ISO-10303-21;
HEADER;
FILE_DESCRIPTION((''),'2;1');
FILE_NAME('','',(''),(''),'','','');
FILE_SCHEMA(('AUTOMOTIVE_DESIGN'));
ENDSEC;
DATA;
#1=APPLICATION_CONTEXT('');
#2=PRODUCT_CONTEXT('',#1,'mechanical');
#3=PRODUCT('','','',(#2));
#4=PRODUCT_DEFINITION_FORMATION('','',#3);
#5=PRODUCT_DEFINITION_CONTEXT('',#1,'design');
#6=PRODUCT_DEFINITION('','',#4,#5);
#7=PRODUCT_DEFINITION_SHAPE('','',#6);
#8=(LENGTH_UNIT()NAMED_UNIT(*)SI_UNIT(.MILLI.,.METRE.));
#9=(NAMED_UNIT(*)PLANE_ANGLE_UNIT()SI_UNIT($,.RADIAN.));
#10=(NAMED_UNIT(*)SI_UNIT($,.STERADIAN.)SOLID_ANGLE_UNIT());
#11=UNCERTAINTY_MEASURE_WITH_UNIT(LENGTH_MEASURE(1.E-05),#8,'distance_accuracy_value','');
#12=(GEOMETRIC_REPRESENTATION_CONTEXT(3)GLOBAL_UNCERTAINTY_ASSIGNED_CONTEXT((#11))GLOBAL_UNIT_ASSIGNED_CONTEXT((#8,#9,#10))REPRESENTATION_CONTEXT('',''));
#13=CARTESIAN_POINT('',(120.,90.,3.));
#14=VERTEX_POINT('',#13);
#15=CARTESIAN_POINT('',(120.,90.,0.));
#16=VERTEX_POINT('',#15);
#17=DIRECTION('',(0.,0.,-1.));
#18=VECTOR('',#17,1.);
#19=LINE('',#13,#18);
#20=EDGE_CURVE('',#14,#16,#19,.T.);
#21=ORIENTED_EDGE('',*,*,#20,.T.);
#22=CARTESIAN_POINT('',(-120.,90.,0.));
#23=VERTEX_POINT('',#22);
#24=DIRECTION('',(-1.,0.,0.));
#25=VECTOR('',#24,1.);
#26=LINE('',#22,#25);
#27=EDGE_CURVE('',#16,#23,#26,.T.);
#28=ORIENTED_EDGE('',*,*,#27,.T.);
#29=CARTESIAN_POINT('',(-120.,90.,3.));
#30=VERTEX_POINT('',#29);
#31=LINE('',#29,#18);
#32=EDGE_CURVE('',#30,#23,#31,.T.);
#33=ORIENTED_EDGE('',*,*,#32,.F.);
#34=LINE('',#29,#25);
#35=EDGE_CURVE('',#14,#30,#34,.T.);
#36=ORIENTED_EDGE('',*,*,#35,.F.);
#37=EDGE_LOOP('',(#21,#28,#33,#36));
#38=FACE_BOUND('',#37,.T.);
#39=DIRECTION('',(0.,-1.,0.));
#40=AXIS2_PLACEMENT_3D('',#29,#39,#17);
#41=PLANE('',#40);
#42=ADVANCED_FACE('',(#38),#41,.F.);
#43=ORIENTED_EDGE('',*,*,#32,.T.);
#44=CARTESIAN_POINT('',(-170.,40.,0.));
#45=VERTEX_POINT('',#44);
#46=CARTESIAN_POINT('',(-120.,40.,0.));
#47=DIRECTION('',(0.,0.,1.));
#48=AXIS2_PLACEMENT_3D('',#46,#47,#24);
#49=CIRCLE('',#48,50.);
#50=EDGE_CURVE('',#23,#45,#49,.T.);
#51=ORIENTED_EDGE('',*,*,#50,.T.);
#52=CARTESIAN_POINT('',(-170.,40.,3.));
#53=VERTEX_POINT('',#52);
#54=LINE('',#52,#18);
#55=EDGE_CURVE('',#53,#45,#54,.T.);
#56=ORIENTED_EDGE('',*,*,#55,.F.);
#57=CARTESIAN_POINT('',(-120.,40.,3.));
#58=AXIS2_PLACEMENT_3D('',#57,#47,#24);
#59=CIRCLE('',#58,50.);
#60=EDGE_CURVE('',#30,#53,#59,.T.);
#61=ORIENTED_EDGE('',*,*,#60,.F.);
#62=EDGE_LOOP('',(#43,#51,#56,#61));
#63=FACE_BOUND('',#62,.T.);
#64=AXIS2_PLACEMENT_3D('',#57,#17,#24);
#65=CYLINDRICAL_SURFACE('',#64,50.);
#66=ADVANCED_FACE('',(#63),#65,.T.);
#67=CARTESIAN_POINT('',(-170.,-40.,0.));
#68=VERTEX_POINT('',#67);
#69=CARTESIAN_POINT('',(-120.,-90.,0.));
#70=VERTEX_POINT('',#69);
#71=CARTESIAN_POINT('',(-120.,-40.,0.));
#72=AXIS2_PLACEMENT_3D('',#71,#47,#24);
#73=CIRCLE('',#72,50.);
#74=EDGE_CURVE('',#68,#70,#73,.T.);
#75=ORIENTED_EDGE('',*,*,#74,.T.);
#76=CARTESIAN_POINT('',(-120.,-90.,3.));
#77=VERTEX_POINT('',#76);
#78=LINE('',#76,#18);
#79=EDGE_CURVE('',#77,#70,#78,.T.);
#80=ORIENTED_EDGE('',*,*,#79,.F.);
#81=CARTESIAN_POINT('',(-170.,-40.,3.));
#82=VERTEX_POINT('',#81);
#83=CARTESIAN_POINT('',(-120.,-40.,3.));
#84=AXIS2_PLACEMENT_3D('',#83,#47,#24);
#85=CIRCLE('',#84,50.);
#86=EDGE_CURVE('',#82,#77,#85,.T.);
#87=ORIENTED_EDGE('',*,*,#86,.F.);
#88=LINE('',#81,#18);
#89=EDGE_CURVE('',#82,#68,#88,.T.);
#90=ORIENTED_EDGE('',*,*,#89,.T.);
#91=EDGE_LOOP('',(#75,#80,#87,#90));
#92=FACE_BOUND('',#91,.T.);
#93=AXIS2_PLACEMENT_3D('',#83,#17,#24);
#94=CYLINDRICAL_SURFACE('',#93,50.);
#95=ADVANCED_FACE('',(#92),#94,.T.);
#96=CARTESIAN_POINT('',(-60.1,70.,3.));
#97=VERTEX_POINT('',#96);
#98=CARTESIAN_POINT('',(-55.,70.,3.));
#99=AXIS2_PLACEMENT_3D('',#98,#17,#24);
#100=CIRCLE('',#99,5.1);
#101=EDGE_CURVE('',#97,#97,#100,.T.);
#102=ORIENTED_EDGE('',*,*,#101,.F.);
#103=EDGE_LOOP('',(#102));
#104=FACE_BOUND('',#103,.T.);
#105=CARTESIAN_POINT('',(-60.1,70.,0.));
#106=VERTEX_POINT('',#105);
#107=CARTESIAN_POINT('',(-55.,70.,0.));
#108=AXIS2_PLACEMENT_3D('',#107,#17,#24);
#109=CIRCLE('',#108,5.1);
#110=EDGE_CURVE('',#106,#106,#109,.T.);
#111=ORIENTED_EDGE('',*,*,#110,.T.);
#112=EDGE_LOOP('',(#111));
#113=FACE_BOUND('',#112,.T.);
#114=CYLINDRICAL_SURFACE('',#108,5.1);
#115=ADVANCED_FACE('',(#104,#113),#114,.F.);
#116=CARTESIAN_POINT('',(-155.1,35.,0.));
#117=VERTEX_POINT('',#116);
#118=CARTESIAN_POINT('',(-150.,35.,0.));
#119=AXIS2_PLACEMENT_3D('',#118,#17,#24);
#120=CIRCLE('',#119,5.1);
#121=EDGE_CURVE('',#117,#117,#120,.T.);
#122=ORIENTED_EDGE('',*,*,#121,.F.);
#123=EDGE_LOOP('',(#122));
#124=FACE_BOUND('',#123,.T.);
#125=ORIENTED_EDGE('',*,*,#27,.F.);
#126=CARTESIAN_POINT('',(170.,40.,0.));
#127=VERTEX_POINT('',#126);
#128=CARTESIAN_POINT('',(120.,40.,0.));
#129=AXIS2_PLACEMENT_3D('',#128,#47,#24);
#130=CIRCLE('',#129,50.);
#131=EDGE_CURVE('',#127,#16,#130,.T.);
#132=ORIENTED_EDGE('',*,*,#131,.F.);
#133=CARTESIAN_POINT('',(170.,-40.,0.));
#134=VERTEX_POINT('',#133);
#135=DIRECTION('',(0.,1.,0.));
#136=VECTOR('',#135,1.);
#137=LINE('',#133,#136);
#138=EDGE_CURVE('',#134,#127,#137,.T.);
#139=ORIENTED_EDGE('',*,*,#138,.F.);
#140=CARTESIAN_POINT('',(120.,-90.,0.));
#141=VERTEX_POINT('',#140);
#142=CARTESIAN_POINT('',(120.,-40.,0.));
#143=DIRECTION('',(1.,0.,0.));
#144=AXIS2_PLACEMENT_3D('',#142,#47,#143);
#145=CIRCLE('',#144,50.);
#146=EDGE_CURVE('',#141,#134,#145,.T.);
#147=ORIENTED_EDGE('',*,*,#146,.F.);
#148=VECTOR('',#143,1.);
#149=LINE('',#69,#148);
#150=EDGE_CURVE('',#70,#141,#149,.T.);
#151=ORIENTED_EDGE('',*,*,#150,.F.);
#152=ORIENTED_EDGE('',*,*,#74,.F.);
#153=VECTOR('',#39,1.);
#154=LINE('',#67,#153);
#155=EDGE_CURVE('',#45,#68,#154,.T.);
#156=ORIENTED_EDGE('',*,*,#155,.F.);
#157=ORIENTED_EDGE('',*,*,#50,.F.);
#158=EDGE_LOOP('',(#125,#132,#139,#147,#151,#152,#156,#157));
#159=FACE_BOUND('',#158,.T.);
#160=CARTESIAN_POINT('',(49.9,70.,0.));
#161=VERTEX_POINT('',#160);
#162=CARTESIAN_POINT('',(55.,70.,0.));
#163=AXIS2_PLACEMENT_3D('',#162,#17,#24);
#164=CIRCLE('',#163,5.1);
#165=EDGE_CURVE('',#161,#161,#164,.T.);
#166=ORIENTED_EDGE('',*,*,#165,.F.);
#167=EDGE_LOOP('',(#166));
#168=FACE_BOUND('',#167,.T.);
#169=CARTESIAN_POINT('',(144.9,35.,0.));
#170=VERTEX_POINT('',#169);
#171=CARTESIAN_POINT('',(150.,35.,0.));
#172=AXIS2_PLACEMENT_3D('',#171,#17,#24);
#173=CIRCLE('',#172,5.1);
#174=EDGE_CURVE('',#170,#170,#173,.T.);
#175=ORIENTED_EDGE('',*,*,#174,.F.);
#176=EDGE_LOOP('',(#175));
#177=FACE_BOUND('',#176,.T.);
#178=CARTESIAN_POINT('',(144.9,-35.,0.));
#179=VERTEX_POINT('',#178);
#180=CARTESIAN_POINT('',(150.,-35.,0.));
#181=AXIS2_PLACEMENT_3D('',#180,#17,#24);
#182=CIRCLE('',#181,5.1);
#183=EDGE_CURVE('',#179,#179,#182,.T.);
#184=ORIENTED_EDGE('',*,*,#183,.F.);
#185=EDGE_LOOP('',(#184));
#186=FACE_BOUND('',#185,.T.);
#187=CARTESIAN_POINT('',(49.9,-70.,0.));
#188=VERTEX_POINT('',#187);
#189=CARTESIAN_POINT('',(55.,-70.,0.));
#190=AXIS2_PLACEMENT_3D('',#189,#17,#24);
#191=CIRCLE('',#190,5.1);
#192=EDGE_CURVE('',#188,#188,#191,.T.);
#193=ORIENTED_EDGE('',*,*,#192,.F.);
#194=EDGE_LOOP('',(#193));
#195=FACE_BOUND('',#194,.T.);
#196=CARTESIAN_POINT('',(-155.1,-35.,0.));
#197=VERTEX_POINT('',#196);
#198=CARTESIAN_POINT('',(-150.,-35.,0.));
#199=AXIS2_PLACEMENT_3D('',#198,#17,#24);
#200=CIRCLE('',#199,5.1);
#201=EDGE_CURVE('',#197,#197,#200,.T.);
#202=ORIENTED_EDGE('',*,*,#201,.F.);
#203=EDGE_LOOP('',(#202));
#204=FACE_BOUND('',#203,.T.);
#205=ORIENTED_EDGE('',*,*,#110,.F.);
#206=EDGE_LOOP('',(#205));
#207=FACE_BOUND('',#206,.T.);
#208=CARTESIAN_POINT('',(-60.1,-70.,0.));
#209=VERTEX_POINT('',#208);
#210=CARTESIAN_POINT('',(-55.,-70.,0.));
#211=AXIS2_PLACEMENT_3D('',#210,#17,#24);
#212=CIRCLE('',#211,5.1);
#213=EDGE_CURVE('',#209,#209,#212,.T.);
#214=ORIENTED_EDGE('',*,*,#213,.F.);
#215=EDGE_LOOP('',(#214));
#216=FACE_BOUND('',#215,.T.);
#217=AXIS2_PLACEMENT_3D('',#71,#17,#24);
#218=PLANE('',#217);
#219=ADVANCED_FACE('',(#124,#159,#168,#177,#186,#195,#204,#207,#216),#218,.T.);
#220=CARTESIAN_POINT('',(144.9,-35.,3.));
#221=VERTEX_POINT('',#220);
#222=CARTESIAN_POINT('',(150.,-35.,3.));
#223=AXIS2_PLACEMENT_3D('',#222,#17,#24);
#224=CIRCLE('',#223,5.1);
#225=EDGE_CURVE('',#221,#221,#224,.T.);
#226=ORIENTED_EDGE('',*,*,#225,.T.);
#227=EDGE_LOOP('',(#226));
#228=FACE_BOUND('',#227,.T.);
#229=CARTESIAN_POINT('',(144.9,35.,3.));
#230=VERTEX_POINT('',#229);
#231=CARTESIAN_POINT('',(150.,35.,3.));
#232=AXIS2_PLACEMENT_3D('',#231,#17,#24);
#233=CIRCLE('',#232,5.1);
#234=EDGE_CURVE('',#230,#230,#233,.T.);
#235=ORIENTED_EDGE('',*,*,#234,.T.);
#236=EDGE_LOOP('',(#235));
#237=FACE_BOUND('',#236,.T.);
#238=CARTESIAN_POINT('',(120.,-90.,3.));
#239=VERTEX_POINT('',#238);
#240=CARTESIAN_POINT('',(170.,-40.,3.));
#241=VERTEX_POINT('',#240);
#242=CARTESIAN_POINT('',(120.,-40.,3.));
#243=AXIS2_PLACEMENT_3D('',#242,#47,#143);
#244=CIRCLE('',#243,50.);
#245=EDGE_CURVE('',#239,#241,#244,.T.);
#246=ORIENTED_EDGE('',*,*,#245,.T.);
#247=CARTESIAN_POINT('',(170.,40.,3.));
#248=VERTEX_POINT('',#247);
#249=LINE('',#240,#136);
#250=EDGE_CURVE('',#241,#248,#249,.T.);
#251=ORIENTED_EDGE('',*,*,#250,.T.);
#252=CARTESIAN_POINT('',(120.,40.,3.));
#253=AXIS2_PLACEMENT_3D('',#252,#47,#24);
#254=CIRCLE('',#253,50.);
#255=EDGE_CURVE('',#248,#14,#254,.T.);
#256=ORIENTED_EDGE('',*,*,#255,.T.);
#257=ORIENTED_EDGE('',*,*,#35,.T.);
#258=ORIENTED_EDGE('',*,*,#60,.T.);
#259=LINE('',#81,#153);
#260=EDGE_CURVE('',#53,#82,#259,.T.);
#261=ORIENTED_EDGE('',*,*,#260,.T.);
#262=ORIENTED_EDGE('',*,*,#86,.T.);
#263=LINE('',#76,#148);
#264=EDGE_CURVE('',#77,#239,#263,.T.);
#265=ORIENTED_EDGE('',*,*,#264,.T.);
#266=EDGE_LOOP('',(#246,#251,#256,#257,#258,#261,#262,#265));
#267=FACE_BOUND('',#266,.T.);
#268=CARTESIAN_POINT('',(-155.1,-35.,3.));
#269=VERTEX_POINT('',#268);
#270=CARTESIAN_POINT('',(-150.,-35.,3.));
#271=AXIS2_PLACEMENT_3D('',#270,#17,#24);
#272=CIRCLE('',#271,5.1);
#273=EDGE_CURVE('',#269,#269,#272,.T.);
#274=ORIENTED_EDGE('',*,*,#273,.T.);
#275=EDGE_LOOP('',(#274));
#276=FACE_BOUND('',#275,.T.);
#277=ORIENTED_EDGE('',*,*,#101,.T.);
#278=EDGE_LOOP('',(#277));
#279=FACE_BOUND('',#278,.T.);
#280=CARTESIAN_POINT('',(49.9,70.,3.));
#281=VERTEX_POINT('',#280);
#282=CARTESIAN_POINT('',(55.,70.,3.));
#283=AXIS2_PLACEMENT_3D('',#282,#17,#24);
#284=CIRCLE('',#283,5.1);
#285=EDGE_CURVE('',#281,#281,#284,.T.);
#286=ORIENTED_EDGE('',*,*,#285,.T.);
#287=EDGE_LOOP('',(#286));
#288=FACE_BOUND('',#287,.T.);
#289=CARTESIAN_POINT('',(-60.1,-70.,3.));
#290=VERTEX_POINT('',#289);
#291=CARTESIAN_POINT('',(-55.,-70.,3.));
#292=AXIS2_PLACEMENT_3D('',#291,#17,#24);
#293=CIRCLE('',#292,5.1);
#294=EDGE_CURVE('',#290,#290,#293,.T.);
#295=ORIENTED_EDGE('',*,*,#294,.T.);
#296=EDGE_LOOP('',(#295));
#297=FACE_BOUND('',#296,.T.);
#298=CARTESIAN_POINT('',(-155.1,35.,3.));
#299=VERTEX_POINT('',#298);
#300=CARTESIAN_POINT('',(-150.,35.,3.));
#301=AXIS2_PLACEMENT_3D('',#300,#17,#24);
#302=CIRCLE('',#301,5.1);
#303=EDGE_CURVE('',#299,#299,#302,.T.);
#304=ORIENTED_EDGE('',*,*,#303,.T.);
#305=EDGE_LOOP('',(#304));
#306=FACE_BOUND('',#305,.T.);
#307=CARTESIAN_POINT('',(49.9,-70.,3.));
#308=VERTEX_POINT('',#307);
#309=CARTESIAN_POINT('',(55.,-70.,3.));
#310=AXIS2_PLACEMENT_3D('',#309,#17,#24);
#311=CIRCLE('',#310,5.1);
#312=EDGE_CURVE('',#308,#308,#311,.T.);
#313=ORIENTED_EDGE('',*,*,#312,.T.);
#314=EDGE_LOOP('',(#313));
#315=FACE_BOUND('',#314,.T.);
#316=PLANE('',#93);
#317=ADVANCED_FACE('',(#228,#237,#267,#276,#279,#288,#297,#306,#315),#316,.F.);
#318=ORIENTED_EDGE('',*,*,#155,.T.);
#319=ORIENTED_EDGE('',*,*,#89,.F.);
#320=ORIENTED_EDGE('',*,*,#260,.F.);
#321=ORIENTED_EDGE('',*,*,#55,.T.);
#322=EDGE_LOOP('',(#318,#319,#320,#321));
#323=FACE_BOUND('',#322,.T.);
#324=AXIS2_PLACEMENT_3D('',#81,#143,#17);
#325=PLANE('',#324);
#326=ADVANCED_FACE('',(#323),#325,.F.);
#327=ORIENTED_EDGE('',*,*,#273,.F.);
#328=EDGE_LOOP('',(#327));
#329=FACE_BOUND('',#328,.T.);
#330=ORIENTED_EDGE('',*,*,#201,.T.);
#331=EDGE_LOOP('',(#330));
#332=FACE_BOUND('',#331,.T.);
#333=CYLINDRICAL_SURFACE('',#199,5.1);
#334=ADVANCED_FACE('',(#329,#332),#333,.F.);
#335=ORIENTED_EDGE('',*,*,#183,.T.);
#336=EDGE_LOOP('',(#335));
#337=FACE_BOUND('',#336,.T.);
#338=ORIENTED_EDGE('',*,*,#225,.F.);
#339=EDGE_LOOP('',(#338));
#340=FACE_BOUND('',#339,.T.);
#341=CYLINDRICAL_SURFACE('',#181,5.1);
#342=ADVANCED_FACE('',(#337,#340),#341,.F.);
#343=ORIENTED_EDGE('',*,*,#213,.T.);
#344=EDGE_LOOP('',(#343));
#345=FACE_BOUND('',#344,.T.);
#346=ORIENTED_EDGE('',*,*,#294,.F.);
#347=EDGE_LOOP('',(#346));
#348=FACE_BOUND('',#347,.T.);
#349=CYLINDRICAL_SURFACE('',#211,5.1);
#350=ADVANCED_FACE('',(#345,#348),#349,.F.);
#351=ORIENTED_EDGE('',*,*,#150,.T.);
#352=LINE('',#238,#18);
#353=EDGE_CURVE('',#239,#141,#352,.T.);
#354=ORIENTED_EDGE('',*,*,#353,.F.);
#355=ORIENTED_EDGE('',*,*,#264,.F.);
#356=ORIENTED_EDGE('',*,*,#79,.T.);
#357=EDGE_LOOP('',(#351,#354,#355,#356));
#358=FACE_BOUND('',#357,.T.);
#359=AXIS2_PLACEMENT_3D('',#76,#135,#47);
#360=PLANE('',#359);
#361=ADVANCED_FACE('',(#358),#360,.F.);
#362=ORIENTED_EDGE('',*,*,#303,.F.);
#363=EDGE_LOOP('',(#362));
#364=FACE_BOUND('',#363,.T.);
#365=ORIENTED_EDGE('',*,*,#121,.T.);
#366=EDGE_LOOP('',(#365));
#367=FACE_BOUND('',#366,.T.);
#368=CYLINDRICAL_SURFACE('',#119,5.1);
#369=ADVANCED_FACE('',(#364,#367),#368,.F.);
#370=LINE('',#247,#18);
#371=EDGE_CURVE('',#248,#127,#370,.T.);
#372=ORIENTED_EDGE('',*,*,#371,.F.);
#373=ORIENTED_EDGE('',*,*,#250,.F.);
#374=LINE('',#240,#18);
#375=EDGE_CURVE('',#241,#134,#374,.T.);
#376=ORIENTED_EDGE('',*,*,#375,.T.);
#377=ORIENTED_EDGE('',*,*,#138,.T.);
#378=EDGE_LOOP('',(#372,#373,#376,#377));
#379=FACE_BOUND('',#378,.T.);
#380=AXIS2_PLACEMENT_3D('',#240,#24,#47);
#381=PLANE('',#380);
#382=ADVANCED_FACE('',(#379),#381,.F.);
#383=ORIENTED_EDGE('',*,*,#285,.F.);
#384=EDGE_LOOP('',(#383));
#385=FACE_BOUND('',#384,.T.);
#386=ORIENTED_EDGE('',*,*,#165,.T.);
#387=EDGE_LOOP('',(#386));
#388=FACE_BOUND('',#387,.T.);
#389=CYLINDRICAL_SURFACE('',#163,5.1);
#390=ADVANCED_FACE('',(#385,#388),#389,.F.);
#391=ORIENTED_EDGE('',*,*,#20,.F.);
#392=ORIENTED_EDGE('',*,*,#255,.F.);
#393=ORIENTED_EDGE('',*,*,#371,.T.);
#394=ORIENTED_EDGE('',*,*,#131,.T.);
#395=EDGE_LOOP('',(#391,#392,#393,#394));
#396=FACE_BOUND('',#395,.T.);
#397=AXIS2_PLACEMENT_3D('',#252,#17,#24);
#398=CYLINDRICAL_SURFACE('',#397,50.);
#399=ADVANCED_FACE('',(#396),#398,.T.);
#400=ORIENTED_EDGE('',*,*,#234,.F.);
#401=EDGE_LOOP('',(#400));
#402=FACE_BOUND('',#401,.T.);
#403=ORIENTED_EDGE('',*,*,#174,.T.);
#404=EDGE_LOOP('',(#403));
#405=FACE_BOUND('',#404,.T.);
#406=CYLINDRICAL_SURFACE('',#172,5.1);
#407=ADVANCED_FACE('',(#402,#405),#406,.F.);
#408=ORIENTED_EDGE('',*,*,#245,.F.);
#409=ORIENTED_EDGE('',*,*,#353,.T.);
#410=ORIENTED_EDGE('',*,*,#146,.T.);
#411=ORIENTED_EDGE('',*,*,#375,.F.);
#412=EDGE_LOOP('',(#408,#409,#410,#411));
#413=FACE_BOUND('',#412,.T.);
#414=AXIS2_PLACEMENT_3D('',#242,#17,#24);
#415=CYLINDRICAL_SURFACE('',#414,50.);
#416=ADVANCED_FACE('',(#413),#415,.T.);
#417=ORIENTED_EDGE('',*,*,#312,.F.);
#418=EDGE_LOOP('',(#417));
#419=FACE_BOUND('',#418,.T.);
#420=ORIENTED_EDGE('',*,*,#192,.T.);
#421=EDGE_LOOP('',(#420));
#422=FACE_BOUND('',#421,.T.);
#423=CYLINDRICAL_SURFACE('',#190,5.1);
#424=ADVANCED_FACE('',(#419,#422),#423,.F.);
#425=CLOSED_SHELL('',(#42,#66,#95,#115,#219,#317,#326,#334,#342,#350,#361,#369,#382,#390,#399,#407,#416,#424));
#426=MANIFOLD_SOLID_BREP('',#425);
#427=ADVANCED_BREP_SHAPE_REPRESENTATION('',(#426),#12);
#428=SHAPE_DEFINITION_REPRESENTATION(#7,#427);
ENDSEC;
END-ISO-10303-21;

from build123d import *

# Parameters (mm, degrees)
DODANIE_WYCI_GNI_CIE1_DEPTH = 3
OTW_R_GWINTOWANY_M121_D     = 10.2


with BuildPart() as part:
    # Szkic1 → Dodanie-wyciągnięcie1 (new body)
    with BuildSketch(Plane.XY):
        with BuildLine():
            Line((-120, -90), (120, -90))
            ThreePointArc((120, -90), (155.355339059, -75.355339059), (170, -40))
            Line((170, -40), (170, 40))
            ThreePointArc((170, 40), (155.355339059, 75.355339059), (120, 90))
            Line((120, 90), (-120, 90))
            ThreePointArc((-120, 90), (-155.355339059, 75.355339059), (-170, 40))
            Line((-170, 40), (-170, -40))
            ThreePointArc((-170, -40), (-155.355339059, -75.355339059), (-120, -90))
        make_face()
    extrude(amount=DODANIE_WYCI_GNI_CIE1_DEPTH)

    # Otwór gwintowany M121 (through all)
    with Locations(Plane(origin=(0, 0, 0), x_dir=(-1, 0, 0), z_dir=(0, 0, -1))):
        with Locations((55, 70), (-55, 70), (55, -70), (-55, -70), (-150, 35), (-150, -35), (150, -35), (150, 35)):
            Hole(OTW_R_GWINTOWANY_M121_D / 2)


solid = part.part
